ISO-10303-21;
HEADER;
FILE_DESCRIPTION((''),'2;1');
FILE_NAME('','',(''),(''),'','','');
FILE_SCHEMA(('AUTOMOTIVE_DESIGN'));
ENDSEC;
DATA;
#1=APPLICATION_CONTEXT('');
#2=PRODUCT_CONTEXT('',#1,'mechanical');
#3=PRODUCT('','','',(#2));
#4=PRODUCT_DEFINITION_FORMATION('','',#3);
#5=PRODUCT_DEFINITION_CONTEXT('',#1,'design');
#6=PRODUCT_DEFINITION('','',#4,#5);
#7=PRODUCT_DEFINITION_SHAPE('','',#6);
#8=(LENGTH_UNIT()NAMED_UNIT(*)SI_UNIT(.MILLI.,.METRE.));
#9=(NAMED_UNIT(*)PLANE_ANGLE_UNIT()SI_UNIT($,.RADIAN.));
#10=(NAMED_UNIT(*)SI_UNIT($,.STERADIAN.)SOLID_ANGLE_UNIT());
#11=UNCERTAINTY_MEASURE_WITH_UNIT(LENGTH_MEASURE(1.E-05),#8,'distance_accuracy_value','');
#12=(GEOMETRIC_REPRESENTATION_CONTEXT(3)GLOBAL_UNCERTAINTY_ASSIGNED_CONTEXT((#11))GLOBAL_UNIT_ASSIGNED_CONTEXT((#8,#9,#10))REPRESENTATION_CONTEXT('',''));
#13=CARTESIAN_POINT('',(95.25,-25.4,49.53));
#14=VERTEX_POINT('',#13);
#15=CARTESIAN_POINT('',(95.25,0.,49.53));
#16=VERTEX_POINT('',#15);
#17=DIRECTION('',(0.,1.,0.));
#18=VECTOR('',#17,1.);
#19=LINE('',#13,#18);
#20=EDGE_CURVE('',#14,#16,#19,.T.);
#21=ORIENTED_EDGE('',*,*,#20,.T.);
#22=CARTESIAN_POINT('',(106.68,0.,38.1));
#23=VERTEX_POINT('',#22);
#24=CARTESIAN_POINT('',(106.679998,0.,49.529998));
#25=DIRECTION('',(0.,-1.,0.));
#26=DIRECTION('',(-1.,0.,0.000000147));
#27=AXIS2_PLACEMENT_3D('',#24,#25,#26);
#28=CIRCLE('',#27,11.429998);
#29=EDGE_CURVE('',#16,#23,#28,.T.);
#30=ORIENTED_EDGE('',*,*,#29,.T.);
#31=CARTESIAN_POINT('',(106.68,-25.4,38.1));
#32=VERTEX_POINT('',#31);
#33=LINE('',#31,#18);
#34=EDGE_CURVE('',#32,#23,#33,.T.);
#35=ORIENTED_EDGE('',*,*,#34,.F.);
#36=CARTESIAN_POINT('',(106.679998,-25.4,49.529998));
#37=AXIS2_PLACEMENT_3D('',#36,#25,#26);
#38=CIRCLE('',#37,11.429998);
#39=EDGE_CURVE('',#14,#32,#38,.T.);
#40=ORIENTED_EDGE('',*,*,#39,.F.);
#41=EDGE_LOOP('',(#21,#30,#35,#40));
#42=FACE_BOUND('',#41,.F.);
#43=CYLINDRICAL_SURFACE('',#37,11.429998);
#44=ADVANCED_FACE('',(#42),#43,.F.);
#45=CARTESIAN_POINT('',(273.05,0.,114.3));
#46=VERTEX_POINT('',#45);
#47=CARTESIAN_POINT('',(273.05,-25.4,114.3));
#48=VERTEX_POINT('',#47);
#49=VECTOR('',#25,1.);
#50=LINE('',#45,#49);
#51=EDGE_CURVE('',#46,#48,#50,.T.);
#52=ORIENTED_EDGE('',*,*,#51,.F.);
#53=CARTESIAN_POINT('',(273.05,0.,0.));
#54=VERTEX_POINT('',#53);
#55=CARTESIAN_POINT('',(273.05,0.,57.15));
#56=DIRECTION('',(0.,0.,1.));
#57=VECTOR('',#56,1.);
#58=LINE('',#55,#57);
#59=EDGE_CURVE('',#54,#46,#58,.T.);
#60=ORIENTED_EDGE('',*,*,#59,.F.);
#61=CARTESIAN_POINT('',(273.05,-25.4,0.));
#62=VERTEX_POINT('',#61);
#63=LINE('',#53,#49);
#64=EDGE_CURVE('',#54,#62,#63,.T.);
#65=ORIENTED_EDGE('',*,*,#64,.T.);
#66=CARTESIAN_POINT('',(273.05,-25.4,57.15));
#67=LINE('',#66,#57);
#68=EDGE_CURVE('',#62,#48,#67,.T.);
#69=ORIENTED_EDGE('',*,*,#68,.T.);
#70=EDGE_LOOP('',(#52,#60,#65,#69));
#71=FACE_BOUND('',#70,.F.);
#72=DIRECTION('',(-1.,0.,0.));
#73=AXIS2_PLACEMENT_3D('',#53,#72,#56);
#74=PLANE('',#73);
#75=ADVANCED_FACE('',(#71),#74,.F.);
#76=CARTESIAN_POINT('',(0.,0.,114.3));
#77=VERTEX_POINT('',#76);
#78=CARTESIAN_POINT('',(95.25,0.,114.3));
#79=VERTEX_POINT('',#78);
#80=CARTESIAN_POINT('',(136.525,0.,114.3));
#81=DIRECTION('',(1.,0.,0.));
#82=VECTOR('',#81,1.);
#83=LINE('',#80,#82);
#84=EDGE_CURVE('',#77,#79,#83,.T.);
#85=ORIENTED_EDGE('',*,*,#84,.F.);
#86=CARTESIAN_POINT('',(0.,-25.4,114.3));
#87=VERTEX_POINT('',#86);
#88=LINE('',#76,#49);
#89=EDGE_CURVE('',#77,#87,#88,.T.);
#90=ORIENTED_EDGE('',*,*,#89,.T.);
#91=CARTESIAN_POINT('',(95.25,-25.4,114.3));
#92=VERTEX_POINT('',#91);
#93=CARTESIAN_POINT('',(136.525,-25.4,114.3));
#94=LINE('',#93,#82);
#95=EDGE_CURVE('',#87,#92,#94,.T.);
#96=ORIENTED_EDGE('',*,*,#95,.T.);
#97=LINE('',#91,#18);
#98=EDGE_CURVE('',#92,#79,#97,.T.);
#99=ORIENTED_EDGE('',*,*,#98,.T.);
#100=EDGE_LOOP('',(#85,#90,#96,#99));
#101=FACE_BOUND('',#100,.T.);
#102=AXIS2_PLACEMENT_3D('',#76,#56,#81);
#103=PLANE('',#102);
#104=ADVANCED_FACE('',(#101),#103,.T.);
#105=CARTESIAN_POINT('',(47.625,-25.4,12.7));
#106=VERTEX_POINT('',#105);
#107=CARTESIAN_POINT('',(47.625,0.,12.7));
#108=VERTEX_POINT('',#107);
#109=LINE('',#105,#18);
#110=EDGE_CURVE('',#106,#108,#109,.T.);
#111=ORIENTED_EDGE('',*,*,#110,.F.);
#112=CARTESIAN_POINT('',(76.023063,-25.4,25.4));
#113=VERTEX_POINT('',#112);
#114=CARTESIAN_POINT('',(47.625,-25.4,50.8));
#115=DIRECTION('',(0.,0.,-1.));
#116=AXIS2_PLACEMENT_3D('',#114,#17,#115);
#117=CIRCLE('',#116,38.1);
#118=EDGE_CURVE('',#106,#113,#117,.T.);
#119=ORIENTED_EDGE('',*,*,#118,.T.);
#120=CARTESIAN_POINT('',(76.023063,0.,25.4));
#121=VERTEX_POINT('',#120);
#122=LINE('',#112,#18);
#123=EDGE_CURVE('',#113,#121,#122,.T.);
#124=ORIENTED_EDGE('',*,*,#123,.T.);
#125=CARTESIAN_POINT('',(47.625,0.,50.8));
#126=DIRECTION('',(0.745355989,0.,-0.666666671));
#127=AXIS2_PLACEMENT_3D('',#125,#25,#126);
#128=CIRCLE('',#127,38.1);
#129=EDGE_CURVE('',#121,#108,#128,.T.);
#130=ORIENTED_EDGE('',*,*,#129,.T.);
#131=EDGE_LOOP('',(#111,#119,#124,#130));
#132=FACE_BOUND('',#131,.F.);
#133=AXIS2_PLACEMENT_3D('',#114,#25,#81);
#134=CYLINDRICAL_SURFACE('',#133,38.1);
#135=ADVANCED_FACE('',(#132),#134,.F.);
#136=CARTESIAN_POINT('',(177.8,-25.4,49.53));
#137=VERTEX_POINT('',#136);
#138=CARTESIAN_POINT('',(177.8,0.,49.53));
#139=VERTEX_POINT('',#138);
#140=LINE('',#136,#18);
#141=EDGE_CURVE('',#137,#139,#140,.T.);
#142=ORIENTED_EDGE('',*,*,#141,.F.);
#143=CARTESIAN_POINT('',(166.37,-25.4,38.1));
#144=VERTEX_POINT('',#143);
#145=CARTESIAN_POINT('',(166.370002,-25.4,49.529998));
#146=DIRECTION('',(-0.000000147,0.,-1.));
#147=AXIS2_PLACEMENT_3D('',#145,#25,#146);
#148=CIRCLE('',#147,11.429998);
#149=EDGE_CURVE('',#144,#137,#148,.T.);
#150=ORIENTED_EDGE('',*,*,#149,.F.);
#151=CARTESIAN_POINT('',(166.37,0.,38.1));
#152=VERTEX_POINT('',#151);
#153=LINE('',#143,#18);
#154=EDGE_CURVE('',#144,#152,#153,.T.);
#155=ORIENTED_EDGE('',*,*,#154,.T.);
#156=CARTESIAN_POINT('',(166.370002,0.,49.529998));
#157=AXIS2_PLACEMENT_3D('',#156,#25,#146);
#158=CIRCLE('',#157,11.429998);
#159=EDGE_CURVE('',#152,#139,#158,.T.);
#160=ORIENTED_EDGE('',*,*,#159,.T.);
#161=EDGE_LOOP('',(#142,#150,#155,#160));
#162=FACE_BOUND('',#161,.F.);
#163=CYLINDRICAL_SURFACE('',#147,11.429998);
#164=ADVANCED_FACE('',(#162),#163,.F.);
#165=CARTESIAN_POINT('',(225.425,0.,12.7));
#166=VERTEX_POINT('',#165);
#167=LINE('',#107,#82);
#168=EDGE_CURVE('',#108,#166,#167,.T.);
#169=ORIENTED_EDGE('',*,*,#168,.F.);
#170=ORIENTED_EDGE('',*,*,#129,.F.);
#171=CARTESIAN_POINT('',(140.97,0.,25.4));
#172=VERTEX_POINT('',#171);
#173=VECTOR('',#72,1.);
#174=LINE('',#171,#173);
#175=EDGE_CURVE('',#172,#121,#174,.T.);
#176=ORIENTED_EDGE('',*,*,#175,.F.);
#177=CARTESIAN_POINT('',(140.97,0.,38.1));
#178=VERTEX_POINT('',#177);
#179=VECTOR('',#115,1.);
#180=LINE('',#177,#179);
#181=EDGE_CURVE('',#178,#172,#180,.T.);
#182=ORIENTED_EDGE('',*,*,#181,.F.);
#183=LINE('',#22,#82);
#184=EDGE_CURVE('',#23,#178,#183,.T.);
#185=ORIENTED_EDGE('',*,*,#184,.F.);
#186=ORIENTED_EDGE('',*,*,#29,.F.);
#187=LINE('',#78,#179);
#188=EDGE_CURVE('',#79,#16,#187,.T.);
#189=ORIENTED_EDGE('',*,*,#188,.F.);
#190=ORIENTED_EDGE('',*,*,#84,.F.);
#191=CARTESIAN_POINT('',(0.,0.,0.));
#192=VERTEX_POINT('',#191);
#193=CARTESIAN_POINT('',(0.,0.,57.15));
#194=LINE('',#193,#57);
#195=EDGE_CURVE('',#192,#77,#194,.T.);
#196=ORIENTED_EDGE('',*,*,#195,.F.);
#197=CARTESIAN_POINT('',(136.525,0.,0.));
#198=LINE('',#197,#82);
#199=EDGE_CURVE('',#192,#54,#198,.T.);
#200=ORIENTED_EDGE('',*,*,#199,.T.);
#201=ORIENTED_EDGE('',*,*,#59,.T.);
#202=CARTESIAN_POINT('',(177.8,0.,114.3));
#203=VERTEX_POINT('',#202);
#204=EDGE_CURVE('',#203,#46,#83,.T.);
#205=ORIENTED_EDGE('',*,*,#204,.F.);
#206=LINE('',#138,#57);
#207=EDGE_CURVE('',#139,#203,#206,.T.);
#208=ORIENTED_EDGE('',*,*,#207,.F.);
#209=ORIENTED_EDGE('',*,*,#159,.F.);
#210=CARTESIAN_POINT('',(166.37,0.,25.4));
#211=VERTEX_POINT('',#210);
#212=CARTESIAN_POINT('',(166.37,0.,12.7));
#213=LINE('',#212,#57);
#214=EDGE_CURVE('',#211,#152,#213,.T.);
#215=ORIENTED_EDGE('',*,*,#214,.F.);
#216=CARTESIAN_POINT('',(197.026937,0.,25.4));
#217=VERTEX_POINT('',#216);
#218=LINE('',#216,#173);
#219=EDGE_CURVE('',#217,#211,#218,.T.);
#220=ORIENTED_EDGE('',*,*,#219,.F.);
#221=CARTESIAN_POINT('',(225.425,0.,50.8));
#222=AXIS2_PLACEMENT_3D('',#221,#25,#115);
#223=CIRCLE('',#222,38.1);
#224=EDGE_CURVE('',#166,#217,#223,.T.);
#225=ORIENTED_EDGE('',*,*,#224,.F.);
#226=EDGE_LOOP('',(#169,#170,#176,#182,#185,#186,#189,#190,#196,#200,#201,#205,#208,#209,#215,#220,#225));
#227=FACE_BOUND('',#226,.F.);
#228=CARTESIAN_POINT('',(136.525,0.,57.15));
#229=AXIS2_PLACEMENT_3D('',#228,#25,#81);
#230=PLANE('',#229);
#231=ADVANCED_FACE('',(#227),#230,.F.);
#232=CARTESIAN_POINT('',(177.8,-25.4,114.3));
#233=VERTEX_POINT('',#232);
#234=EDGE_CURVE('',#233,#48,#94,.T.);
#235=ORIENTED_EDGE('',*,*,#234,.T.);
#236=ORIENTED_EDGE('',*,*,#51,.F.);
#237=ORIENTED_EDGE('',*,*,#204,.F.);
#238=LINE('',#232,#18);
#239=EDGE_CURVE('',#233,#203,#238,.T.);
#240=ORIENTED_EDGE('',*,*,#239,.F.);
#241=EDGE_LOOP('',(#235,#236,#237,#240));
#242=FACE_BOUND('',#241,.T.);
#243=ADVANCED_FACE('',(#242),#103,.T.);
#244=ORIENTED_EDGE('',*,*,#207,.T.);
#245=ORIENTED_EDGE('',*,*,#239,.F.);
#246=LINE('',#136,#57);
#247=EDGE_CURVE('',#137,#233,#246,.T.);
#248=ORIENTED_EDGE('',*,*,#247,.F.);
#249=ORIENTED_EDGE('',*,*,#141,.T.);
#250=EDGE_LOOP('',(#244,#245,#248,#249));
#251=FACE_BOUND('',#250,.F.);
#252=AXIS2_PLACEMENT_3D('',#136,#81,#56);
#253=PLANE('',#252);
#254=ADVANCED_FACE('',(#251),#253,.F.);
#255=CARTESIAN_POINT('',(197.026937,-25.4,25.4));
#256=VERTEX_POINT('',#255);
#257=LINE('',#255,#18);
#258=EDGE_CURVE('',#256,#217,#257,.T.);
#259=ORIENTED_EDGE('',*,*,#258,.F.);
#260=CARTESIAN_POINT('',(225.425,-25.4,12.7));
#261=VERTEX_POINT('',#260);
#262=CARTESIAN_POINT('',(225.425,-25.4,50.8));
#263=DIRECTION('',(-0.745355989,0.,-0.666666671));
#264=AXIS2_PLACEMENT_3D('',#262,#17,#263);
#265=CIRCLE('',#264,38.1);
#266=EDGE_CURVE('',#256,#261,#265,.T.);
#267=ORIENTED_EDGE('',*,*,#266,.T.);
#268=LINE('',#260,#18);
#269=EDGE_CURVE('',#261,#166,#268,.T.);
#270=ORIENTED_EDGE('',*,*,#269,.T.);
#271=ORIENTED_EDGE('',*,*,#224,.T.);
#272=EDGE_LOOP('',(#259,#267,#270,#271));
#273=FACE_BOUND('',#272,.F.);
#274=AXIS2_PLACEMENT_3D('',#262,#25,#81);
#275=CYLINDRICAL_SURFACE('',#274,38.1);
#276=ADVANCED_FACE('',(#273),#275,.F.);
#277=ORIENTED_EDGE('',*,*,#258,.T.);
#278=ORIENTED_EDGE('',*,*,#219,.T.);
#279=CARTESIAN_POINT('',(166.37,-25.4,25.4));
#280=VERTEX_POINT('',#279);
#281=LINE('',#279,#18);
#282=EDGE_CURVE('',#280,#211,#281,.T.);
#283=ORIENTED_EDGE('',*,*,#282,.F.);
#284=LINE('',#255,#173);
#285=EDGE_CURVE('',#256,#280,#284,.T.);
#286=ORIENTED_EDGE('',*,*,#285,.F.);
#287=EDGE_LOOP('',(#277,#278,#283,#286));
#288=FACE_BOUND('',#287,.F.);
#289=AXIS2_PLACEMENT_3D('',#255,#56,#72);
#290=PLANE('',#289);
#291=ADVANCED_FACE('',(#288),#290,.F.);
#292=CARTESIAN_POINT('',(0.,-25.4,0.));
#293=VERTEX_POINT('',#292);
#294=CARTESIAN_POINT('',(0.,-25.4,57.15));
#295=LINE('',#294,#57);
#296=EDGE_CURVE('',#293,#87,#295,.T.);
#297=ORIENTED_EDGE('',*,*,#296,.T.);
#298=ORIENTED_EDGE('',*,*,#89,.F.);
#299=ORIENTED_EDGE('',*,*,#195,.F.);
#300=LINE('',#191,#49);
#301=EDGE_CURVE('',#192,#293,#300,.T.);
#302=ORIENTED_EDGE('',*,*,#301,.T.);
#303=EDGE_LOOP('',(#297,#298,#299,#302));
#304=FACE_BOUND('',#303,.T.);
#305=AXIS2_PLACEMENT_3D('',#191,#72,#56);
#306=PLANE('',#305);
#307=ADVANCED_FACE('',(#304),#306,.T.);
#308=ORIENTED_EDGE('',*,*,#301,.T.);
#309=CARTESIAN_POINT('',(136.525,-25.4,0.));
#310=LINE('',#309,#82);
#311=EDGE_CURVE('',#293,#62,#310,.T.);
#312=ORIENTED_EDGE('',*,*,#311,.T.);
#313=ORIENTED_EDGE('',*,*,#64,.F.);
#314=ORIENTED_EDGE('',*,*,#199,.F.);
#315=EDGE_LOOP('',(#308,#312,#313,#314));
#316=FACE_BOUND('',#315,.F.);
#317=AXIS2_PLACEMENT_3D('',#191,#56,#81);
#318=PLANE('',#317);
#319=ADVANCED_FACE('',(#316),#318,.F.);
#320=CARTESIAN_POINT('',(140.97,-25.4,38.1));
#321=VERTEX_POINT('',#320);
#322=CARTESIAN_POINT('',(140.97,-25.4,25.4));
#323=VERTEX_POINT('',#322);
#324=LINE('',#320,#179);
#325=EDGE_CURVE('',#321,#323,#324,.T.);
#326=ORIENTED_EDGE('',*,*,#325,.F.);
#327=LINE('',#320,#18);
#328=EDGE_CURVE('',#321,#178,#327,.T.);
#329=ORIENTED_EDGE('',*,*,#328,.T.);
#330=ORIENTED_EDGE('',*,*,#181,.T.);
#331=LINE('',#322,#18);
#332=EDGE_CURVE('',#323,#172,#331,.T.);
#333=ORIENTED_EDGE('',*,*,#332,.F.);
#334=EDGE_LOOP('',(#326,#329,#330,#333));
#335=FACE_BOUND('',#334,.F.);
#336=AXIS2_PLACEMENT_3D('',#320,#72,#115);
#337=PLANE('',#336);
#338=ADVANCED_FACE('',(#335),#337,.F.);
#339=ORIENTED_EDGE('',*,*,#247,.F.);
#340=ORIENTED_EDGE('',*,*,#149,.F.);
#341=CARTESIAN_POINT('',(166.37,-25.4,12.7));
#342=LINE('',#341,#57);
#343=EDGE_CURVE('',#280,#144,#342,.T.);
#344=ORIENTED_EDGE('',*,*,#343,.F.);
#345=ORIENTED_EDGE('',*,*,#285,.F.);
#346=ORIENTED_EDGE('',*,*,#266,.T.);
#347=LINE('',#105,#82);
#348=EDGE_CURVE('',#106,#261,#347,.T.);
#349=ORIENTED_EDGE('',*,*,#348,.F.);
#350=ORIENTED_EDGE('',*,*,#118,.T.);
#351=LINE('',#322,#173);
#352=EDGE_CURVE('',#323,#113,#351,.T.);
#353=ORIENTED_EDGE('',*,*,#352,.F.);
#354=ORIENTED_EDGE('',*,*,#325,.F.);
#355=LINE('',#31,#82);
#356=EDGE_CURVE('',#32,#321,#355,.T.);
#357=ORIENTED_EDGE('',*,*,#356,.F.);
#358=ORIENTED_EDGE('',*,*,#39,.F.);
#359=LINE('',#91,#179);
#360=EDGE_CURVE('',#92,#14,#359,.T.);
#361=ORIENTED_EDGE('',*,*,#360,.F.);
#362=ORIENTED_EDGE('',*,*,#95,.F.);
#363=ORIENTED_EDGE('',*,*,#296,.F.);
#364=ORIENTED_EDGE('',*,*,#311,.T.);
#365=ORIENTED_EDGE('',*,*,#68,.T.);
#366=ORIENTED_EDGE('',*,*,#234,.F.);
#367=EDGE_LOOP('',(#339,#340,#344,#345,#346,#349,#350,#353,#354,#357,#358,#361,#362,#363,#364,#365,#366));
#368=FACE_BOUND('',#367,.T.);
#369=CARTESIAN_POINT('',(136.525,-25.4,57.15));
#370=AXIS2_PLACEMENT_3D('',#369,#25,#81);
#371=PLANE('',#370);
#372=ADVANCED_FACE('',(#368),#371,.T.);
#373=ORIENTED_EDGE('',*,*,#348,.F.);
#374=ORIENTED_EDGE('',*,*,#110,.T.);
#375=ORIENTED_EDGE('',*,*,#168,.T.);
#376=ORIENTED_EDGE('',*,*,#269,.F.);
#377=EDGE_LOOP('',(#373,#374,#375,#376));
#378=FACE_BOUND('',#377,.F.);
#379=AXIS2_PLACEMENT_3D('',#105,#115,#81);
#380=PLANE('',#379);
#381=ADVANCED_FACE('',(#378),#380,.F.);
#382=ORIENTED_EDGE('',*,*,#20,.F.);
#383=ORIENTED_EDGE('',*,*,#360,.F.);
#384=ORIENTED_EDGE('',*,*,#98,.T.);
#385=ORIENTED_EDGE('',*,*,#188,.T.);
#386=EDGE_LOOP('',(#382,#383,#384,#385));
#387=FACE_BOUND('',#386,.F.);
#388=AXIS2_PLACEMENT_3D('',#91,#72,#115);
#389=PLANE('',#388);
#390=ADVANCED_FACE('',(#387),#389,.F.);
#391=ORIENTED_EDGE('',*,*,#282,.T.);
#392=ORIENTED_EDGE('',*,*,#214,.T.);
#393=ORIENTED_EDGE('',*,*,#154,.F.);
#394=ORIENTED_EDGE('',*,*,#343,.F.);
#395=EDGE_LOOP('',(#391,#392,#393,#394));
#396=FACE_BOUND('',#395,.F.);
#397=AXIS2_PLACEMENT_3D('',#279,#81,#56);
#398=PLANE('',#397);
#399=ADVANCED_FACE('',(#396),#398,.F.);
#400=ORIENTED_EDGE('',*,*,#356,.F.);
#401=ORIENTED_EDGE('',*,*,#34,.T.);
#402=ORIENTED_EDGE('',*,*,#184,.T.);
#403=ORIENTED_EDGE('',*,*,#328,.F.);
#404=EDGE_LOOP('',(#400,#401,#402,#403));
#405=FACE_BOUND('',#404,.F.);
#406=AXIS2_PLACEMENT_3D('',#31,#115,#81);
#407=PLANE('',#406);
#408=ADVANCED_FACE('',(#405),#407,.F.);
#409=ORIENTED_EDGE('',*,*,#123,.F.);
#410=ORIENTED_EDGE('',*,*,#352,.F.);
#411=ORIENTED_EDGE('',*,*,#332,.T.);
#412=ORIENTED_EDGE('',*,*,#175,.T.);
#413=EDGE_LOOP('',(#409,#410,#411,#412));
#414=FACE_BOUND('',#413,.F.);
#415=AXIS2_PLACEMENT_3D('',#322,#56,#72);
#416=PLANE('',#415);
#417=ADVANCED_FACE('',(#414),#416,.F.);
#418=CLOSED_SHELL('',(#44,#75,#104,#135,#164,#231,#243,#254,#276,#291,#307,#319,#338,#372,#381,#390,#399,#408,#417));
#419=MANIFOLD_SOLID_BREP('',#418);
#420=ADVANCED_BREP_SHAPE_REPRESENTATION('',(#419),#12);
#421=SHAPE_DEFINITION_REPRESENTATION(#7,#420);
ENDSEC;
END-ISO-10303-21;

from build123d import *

# Parameters (mm, degrees)
F0_W     = 273.05
F0_H     = 114.3
F1_DEPTH = 25.4
F2_R     = 38.1
F3_DEPTH = 25.4
F5_DEPTH = 25.4
F7_DEPTH = 25.4


with BuildPart() as f1:
    # F0 (on Front) → F1 (new body)
    with BuildSketch(Plane.XZ):
        with Locations((136.525, 57.15)):
            Rectangle(F0_W, F0_H)
    extrude(amount=F1_DEPTH)

    # F2 (on face) → F3 (cut)
    with BuildSketch(Plane.XZ.offset(25.4)):
        with Locations((47.625, 50.8)):
            Circle(F2_R)
        with Locations((225.425, 50.8)):
            Circle(F2_R)
    extrude(amount=-F3_DEPTH, mode=Mode.SUBTRACT)

    # F4 (on face) → F5 (cut)
    with BuildSketch(Plane.XZ.offset(25.4)):
        with BuildLine():
            Line((177.8, 114.3), (95.25, 114.3))
            Line((95.25, 114.3), (95.25, 49.53))
            ThreePointArc((95.25, 49.53), (98.597769, 41.447769), (106.68, 38.1))
            Line((106.68, 38.1), (166.37, 38.1))
            ThreePointArc((166.37, 38.1), (174.452231, 41.447769), (177.8, 49.53))
            Line((177.8, 49.53), (177.8, 114.3))
        make_face()
    extrude(amount=-F5_DEPTH, mode=Mode.SUBTRACT)

    # F6 (on face) → F7 (cut)
    with BuildSketch(Plane.XZ.offset(25.4)):
        Polygon((166.37, 25.4), (166.37, 38.1), (140.97, 38.1), (140.97, 25.4), (76.023063, 25.4), (47.625, 12.7), (166.37, 12.7), align=None)
        Polygon((197.026937, 25.4), (166.37, 25.4), (166.37, 12.7), (225.425, 12.7), align=None)
    extrude(amount=-F7_DEPTH, mode=Mode.SUBTRACT)


solid = f1.part
